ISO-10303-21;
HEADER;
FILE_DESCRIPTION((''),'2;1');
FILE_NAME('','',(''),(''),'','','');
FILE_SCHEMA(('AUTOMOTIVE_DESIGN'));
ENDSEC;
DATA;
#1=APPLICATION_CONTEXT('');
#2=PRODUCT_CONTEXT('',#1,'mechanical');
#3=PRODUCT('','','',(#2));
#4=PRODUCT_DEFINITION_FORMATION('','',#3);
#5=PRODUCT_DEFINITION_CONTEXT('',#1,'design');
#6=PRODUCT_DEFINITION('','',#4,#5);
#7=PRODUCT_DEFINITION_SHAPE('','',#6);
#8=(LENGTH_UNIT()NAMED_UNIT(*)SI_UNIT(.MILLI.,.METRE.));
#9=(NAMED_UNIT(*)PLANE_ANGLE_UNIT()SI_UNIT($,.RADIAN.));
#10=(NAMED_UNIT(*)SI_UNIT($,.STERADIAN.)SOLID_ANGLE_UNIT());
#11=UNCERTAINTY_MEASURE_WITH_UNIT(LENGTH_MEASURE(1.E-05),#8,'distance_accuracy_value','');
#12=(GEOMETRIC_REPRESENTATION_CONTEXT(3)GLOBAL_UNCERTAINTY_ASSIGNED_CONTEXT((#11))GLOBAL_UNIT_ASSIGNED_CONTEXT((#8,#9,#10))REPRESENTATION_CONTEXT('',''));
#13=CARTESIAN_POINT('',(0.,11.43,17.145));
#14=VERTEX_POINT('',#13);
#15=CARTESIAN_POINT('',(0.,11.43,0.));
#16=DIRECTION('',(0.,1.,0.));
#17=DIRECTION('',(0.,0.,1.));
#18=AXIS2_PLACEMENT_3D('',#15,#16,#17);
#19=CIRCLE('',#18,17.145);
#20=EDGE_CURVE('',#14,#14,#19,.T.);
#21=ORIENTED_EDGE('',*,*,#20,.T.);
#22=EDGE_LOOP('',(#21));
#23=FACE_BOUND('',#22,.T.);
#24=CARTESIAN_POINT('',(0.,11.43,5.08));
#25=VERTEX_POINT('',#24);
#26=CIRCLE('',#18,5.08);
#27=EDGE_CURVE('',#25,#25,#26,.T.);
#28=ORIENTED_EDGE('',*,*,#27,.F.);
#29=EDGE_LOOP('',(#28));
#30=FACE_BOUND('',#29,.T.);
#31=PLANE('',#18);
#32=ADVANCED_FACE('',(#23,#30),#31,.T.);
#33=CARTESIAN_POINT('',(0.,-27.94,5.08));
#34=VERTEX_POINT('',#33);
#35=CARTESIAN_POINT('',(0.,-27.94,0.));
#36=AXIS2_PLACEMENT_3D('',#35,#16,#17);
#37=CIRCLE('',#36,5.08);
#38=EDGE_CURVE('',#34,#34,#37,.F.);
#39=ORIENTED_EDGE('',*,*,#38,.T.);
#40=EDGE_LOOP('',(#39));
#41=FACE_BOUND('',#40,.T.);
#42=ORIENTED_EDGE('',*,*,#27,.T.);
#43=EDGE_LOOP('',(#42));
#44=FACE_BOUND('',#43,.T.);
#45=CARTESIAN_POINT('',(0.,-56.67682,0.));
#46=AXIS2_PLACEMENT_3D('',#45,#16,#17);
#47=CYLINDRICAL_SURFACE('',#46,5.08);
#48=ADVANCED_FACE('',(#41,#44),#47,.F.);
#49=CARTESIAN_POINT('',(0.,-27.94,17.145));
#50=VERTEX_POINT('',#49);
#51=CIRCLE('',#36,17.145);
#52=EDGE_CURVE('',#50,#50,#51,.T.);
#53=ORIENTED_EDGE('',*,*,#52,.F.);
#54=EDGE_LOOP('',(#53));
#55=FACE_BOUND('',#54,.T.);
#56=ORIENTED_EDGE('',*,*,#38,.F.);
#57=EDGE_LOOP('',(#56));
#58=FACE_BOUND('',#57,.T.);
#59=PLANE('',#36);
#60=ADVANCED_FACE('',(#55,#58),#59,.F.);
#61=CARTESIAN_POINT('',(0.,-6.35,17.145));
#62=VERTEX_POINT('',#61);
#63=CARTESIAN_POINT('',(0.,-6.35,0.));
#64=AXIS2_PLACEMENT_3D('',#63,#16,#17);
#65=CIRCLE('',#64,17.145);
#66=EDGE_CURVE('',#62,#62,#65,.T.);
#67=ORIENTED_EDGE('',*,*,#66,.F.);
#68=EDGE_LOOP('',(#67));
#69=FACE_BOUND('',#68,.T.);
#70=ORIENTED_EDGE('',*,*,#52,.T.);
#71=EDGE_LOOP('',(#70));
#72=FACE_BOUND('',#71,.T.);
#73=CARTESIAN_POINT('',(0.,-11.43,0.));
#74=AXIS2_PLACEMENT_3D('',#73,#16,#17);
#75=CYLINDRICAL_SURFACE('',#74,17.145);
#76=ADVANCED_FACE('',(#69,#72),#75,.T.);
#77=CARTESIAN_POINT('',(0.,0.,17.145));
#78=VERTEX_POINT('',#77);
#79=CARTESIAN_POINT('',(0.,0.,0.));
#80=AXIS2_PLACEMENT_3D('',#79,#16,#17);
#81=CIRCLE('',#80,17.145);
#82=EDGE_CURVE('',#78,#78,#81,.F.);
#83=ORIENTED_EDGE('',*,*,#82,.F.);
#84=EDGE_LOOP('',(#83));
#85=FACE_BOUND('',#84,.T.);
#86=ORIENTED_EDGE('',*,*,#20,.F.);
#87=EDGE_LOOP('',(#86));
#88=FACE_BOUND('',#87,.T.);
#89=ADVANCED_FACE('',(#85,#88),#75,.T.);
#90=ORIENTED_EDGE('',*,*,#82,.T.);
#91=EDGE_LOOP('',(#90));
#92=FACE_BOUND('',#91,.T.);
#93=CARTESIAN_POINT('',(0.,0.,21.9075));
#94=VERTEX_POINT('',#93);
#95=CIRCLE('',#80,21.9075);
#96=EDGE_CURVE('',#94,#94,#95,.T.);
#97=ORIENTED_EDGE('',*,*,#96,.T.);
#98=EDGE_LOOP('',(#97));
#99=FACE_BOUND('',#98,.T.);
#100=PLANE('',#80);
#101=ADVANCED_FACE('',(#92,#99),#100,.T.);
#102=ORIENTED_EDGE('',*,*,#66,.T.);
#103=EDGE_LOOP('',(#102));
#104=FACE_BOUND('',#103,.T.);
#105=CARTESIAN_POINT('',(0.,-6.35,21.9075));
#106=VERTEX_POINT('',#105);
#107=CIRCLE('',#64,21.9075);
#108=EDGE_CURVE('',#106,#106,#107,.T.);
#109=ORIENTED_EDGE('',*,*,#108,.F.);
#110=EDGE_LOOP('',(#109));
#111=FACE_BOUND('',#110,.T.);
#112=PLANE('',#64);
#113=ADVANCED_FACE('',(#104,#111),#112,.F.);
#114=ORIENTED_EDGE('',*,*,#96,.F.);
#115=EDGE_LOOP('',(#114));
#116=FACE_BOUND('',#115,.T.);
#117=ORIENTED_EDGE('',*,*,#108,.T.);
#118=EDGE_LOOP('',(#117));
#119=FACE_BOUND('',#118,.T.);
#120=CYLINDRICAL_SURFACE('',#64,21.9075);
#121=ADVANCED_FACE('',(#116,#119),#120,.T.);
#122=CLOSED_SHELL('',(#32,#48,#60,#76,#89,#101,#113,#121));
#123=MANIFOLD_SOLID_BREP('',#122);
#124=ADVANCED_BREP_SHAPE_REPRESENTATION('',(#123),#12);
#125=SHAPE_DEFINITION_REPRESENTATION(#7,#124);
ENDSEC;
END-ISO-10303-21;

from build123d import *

# Parameters (mm, degrees)
BOSS_EXTRUDE1_DEPTH      = 11.43
BOSS_EXTRUDE1_DEPTH_BACK = 11.43
SKETCH1_R                = 17.145
SKETCH1_3_R              = 21.9075
SKETCH1_3_R_2            = 17.145
BOSS_EXTRUDE2_DEPTH      = 6.35
SKETCH1_4_R              = 17.145
BOSS_EXTRUDE3_DEPTH      = 27.94
CUT_EXTRUDE2_DEPTH       = 51.098642821
CUT_EXTRUDE2_DEPTH_BACK  = 51.098642821
SKETCH2_R                = 10.16
BOSS_EXTRUDE4_START      = -39.37
SKETCH3_R                = 10.16
SKETCH3_R_2              = 5.08
BOSS_EXTRUDE4_DEPTH      = 39.37


with BuildPart() as part:
    # Sketch1 → Boss-Extrude1 (new, two sides: drawn at the far end of the back side and taken through both)
    with BuildSketch(Plane(origin=(0, 0, 0), x_dir=(1, 0, 0), z_dir=(0, 1, 0)).offset(-BOSS_EXTRUDE1_DEPTH_BACK)):
        with Locations(Location((0, 0, 0), (0, 0, 270))):
            Circle(SKETCH1_R)
    extrude(amount=BOSS_EXTRUDE1_DEPTH + BOSS_EXTRUDE1_DEPTH_BACK)



with BuildPart() as body_2:
    # Sketch1<3> → Boss-Extrude2 (new body)
    with BuildSketch(Plane(origin=(0, 0, 0), x_dir=(1, 0, 0), z_dir=(0, 1, 0))):
        with Locations(Location((0, 0, 0), (0, 0, 270))):
            Circle(SKETCH1_3_R)
        with Locations(Location((0, 0, 0), (0, 0, 270))):
            Circle(SKETCH1_3_R_2, mode=Mode.SUBTRACT)
    extrude(amount=-BOSS_EXTRUDE2_DEPTH)


with BuildPart() as part_1:
    add(part.part)

    add(body_2.part)  # Boss-Extrude3 merges body 2
    # Sketch1<4> → Boss-Extrude3 (add)
    with BuildSketch(Plane(origin=(0, 0, 0), x_dir=(1, 0, 0), z_dir=(0, 1, 0))):
        with Locations(Location((0, 0, 0), (0, 0, 270))):
            Circle(SKETCH1_4_R)
    extrude(amount=-BOSS_EXTRUDE3_DEPTH)

    # Sketch2 → Cut-Extrude2 (cut, two sides: drawn at the far end of the back side and taken through both)
    with BuildSketch(Plane.XZ.offset(27.94).offset(-CUT_EXTRUDE2_DEPTH_BACK)):
        with Locations(Location((0, 0, 0), (0, 0, 270))):
            Circle(SKETCH2_R)
    extrude(amount=CUT_EXTRUDE2_DEPTH + CUT_EXTRUDE2_DEPTH_BACK, mode=Mode.SUBTRACT)

    # Sketch3 → Boss-Extrude4 (add)
    with BuildSketch(Plane(origin=(0, 11.43, 0), x_dir=(1, 0, 0), z_dir=(0, 1, 0)).offset(BOSS_EXTRUDE4_START)):
        Circle(SKETCH3_R)
        with Locations(Location((0, 0, 0), (0, 0, 270))):
            Circle(SKETCH3_R_2, mode=Mode.SUBTRACT)
    extrude(amount=BOSS_EXTRUDE4_DEPTH)


solid = part_1.part
